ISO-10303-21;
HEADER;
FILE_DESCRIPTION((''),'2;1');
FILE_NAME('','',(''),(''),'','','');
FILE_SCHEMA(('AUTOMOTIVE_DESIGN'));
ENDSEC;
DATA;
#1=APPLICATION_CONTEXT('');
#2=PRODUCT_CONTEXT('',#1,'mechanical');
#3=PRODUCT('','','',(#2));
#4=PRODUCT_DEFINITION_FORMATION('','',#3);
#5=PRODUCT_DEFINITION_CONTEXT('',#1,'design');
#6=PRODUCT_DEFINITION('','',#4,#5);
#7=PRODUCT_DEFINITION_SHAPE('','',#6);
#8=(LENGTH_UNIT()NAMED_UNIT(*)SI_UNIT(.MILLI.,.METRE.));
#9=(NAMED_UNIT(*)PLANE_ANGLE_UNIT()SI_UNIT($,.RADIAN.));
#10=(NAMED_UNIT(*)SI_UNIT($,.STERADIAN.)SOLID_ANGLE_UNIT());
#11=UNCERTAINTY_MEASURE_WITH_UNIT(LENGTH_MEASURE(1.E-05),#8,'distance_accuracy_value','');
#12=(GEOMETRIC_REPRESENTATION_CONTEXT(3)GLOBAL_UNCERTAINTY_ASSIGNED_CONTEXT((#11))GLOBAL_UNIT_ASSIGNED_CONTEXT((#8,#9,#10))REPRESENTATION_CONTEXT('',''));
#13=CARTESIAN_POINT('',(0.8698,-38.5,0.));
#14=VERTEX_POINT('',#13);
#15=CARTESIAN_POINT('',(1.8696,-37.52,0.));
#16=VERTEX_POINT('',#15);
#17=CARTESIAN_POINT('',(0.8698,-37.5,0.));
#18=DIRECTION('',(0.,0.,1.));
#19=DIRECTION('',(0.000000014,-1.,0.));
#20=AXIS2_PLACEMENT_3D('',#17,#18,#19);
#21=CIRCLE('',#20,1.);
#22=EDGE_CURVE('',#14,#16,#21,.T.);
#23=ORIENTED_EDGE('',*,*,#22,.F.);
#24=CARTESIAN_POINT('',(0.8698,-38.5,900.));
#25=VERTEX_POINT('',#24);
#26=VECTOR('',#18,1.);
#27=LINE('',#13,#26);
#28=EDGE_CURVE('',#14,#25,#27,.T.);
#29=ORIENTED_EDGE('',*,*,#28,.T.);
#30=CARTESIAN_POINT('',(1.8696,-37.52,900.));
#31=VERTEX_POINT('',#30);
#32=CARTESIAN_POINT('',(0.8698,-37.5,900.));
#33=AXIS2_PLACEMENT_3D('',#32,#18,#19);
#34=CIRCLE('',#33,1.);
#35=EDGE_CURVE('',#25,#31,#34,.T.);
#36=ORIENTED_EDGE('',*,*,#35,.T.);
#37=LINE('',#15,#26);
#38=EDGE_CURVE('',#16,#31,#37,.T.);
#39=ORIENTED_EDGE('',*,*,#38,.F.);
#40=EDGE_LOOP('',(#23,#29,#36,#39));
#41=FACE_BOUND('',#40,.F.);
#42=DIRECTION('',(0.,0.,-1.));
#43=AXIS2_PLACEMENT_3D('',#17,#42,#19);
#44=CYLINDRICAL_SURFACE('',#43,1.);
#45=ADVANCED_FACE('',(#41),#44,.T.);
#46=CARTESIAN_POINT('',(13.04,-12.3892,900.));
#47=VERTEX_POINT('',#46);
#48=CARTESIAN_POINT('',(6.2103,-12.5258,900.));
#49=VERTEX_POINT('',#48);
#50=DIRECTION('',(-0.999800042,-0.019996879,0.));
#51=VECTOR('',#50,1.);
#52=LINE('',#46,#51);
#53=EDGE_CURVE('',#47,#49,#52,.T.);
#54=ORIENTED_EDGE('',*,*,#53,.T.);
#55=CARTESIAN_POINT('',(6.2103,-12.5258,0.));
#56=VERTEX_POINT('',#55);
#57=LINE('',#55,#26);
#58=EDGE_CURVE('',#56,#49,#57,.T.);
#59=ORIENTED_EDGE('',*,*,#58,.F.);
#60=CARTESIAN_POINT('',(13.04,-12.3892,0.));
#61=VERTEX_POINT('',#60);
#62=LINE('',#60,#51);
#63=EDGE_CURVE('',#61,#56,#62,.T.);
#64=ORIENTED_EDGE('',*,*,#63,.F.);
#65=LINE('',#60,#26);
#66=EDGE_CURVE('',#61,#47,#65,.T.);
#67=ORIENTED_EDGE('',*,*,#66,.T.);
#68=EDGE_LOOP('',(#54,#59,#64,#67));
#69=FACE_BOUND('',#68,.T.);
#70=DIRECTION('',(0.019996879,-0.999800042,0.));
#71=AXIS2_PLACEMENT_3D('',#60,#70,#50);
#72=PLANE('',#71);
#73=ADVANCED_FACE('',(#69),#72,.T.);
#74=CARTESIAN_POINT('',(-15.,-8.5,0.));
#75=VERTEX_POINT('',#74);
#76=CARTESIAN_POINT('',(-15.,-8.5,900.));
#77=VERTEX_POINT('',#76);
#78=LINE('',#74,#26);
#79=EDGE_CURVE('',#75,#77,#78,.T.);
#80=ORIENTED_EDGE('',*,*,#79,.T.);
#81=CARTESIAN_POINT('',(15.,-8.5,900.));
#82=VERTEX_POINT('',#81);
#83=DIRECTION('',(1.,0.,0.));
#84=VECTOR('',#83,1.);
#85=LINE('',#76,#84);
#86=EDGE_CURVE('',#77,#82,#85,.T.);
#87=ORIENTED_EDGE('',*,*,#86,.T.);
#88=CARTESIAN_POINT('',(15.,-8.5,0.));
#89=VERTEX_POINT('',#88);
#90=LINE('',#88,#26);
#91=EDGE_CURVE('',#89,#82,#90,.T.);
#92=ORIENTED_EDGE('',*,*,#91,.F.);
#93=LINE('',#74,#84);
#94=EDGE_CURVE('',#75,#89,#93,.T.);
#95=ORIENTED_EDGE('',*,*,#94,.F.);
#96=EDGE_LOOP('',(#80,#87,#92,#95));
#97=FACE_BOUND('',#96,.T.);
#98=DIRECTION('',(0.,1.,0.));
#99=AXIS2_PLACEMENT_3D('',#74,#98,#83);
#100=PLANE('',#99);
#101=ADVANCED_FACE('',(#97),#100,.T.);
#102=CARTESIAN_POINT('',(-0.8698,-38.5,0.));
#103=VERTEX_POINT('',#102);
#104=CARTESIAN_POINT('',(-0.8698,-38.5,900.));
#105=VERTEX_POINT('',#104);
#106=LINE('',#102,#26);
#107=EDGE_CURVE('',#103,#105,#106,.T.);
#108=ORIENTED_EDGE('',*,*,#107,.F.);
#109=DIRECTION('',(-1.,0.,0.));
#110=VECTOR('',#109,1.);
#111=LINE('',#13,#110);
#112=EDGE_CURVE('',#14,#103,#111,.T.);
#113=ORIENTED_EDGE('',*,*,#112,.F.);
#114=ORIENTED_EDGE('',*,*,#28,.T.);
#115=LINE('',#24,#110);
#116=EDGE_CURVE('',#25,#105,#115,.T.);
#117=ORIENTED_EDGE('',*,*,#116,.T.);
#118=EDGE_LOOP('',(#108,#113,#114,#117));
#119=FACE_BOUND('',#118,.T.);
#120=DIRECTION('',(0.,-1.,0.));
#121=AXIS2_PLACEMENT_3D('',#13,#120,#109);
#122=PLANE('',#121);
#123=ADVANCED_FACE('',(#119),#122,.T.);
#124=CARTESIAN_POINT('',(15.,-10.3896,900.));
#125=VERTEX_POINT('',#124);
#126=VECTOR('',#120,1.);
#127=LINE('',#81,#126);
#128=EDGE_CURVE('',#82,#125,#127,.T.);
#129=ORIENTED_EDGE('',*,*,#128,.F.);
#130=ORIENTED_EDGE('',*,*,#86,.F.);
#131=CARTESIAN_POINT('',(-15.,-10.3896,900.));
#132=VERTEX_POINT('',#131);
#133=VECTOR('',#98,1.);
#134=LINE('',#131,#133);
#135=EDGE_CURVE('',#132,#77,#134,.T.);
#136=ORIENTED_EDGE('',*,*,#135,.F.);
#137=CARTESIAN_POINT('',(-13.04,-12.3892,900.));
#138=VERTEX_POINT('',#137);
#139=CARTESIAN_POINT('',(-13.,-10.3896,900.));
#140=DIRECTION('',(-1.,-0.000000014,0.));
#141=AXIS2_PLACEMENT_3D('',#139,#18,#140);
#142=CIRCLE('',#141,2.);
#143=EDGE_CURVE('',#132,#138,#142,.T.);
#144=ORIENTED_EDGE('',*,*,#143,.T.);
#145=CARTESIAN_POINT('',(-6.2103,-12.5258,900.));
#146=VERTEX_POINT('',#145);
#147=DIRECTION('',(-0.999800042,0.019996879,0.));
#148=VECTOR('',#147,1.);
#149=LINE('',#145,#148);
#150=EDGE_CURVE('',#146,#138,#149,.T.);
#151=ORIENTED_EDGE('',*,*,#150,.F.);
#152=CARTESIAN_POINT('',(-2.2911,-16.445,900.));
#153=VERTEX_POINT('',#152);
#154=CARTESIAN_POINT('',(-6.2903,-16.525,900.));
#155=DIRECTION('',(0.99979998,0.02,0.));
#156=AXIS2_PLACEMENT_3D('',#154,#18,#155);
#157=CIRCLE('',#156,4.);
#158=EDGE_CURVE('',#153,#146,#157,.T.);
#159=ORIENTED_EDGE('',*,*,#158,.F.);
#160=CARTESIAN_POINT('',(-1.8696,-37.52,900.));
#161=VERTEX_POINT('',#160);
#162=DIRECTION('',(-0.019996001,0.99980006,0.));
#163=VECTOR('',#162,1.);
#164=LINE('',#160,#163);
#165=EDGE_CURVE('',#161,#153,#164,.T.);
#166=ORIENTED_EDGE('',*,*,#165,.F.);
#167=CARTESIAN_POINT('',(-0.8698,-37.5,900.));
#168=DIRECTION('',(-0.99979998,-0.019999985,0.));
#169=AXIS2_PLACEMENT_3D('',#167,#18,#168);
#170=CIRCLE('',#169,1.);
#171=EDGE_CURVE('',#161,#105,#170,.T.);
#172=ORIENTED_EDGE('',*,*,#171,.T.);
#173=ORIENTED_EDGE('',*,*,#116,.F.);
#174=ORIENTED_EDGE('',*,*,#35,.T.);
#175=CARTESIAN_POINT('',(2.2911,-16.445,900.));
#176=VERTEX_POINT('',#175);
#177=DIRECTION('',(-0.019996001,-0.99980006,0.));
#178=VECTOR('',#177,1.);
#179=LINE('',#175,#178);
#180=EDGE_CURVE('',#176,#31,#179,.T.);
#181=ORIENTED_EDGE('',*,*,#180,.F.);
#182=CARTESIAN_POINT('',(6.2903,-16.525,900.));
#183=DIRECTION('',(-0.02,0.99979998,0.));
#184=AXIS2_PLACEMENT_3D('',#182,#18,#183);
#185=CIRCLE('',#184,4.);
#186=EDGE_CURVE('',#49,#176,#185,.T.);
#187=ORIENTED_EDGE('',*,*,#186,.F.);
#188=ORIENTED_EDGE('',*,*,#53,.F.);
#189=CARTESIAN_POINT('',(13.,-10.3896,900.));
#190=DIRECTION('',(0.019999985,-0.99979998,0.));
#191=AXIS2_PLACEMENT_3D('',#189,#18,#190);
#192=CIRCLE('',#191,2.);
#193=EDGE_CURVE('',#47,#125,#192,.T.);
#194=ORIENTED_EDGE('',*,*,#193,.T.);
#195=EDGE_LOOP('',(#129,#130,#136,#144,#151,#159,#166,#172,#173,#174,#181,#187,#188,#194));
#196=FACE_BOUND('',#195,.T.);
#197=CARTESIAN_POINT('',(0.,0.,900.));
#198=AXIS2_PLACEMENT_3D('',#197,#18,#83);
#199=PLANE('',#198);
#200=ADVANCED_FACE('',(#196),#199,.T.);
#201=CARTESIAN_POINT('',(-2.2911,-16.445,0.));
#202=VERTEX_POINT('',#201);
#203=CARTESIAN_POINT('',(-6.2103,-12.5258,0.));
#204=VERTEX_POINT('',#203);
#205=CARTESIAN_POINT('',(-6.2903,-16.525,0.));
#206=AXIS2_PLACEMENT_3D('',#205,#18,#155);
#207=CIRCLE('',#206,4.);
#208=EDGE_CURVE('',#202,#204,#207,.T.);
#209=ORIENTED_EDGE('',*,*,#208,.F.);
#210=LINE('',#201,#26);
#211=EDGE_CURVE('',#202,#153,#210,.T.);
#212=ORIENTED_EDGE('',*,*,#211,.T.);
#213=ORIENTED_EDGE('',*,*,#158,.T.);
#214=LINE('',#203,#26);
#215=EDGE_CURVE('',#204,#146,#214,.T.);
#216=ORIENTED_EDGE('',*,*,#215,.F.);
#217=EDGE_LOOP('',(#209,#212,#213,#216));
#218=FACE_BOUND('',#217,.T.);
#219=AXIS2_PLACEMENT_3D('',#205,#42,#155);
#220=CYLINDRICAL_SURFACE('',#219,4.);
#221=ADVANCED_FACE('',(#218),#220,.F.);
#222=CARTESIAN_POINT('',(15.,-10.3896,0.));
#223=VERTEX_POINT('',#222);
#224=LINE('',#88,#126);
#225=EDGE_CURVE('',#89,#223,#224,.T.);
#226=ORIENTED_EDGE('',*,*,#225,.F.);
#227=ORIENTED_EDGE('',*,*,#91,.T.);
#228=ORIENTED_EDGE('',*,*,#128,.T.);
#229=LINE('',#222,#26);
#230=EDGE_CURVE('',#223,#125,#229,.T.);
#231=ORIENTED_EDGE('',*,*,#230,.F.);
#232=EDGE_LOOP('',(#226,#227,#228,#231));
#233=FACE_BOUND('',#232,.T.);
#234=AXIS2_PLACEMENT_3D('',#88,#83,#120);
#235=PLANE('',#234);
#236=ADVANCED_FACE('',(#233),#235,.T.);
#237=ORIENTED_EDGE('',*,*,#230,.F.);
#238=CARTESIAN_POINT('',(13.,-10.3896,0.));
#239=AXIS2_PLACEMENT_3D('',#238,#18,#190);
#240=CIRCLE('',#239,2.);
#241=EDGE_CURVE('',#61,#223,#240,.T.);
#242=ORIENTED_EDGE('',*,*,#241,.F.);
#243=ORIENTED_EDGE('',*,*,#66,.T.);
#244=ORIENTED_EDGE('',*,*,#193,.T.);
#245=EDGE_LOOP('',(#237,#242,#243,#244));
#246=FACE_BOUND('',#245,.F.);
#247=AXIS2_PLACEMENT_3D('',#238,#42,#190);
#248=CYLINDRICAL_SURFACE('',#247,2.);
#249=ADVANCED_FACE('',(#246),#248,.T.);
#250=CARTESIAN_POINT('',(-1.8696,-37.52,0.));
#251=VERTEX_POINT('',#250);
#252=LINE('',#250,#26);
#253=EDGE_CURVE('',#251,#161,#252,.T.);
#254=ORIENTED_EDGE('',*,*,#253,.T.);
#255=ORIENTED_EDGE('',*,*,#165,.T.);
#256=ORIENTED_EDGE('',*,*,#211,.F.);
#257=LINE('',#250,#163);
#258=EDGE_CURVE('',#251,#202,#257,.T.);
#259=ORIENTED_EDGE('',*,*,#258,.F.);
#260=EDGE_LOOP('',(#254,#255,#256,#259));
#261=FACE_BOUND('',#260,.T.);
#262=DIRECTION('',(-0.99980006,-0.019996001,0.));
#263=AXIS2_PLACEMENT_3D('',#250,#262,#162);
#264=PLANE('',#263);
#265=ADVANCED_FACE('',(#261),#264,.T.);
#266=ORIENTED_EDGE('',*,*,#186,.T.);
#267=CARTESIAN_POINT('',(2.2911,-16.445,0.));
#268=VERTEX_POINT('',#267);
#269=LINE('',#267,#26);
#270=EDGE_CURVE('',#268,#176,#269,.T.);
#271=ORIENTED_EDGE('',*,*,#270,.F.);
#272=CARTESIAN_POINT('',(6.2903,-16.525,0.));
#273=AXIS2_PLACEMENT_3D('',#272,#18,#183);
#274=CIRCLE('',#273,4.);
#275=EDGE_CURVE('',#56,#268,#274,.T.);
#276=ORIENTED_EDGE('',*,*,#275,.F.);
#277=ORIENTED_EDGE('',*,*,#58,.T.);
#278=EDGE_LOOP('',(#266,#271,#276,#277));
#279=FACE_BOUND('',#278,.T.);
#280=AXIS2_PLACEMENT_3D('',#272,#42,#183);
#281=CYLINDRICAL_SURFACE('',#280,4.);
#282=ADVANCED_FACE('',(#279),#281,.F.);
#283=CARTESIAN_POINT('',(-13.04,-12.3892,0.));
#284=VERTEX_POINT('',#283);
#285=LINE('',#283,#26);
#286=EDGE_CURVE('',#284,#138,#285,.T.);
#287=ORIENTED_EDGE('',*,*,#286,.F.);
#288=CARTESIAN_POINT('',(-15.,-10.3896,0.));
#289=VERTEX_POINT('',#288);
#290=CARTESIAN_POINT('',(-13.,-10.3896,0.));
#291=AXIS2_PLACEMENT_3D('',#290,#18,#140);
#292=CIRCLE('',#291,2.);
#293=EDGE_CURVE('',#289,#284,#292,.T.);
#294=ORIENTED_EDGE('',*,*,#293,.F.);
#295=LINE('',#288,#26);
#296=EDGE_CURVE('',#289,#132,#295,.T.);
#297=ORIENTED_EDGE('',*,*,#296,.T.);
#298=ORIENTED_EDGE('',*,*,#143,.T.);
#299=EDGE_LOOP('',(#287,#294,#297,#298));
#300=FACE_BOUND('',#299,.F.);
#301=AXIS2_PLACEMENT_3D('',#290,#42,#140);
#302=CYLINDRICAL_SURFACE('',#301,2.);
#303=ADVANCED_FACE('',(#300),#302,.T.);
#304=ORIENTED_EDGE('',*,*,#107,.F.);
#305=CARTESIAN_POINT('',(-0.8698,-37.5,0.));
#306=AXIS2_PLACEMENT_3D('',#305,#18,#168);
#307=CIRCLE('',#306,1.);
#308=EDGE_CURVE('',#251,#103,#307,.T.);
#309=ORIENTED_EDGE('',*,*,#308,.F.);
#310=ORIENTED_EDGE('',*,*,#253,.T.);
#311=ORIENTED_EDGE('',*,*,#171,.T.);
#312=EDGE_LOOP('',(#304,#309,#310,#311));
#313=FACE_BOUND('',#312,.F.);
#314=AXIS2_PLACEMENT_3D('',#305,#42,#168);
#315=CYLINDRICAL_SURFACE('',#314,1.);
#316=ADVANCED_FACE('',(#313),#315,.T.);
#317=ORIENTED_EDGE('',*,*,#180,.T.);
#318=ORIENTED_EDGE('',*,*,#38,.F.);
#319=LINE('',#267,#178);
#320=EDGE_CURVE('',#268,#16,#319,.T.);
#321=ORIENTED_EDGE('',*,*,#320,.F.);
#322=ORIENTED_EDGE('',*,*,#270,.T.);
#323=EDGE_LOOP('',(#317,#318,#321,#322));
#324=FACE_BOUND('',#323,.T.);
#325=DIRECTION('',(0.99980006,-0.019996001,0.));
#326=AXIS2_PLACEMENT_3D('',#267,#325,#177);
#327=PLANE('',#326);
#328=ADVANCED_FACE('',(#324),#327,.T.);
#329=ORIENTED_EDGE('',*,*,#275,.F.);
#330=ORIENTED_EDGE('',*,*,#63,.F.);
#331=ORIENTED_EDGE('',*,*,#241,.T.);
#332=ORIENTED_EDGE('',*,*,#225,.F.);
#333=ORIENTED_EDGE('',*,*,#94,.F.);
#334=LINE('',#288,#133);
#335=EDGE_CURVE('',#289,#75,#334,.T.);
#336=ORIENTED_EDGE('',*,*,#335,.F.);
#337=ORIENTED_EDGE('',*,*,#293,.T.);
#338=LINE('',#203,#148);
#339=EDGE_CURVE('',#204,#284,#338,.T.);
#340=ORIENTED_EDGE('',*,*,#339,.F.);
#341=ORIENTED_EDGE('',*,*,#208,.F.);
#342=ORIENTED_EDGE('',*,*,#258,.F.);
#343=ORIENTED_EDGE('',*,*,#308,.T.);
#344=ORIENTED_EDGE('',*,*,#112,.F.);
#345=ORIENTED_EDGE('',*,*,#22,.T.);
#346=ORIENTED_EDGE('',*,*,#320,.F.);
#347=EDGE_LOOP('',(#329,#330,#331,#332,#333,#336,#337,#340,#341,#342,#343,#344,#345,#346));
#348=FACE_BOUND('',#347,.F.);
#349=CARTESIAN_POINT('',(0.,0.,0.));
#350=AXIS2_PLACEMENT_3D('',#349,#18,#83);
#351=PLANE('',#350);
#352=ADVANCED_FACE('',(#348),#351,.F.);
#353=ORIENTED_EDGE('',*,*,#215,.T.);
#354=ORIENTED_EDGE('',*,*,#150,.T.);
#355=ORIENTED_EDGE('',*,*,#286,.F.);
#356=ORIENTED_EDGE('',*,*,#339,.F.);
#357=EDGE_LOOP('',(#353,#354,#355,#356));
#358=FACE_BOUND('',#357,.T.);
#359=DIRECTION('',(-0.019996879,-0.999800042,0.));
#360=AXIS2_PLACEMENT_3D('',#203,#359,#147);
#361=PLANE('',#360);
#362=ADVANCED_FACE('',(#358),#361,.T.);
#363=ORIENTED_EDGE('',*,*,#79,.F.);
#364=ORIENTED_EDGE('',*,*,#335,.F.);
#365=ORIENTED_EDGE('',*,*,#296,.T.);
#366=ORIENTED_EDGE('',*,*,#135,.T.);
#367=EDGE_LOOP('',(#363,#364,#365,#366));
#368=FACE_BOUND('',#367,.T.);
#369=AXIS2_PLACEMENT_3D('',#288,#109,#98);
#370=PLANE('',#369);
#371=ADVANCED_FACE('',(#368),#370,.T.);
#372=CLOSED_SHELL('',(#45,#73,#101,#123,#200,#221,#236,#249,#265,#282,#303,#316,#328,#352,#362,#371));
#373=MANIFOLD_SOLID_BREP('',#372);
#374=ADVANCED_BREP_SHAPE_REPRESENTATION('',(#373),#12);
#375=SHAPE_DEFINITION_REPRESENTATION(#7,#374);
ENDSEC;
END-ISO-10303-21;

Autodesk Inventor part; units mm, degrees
ref_plane "YZ Plane" through (0, 0, 0) normal (1, 0, 0) x (0, 1, 0)
ref_plane "Start plane" through (0, 0, 0) normal (0, 0, 1) x (1, 0, 0)
ref_plane "End plane" through (0, 0, 900) normal (0, 0, 1) x (1, 0, 0)
sketch "Sketch" plane through (0, 0, 0) normal (0, 0, 1) x (1, 0, 0)
  line L0 (0.8698, -38.5) -> (-0.8698, -38.5)
  line L1 (2.2911, -16.445) -> (1.8696, -37.52)
  line L2 (13.04, -12.3892) -> (6.2103, -12.5258)
  line L3 (15, -8.5) -> (15, -10.3896)
  line L4 (-15, -10.3896) -> (-15, -8.5)
  line L5 (-6.2103, -12.5258) -> (-13.04, -12.3892)
  line L6 (-1.8696, -37.52) -> (-2.2911, -16.445)
  line L7 (-2.3679, -12.6026) -> (2.3679, -12.6026) construction
  line L8 (0, -46.445) -> (0, 7.7408) construction
  arc A0 (-2.2911, -16.445) -> (-6.2103, -12.5258) centre (-6.2903, -16.525) ccw
  arc A1 (6.2103, -12.5258) -> (2.2911, -16.445) centre (6.2903, -16.525) ccw
  arc A2 (-15, -10.3896) -> (-13.04, -12.3892) centre (-13, -10.3896) ccw
  arc A3 (13.04, -12.3892) -> (15, -10.3896) centre (13, -10.3896) ccw
  arc A4 (-1.8696, -37.52) -> (-0.8698, -38.5) centre (-0.8698, -37.5) ccw
  arc A5 (0.8698, -38.5) -> (1.8696, -37.52) centre (0.8698, -37.5) ccw
  line L9 (-21.5716, 0) -> (21.5716, 0) construction
  line L10 (-15, -8.5) -> (15, -8.5)
  point P0 (1.85, -38.5)
  point P1 (-1.85, -38.5)
  point P2 (15, -12.35)
  point P3 (-15, -12.35)
  point P4 (0, 0)
  point P5 (0, -12.6026)
  dimension "d9" = 3.85
  dimension "d11" = 3.85
  dimension "d23" = 3.7
  dimension "d26" = 1.146
  dimension "d27" = 1.146
  dimension "d28" = 4
  dimension "d29" = 2
  dimension "d30" = 1
  dimension "d31" = 30
  dimension "d32" = 1.146
  dimension "d33" = 30
  dimension "d34" = 8.5
extrude "Body" add sketch "Sketch" along normal up to surface (900 mm away) from surface at 0
sketch "Sketch3" plane through (0, 0, 0) normal (0, 0, 1) x (1, 0, 0)
  line L0 (0, 0) -> (10, 0)
ref_plane "Work Plane6" through (0, 0, 0) normal (0, -1, 0) x (1, 0, 0)
sketch "Sketch4" plane through (0, 0, 0) normal (0, -1, 0) x (1, 0, 0)
  line L0 (-2, 0) -> (12, 0)
  line L1 (-2, 900) -> (12, 900)
  dimension "d38" = 900
equation "\"d9\" = -msp_pom3 + ParT"
equation "\"d11\" = -msp_pom3 + ParT"
equation "\"d23\" = ParT - msp_pom2"
equation "\"d26\" = d27"
equation "\"d27\" = d32"
equation "\"d28\" = R"
equation "\"d29\" = R1"
equation "\"d30\" = R2"
equation "\"d31\" = ParH"
equation "\"d32\" = msp_ang"
equation "\"d33\" = b"
equation "\"d34\" = ex"
equation "\"d13\" = G_L"
equation "\"b\" = 30"
equation "\"ParH\" = 30"
equation "\"R\" = 4"
equation "\"ParT\" = 4"
equation "\"R1\" = 2"
equation "\"R2\" = 1"
equation "\"G_L\" = d38"
equation "\"msp_x1\" = 0"
equation "\"msp_x2\" = 0"
equation "\"msp_x\" = 0"
equation "\"msp_ang\" = 1.14576deg"
equation "\"ex\" = 8.5"
equation "\"G_OFFSET_START\" = 0"
equation "\"G_OFFSET_END\" = 0"
equation "\"msp_pom3\" = 0.15"
equation "\"msp_pom2\" = 0.3"
properties part number "DIN 1024 - T30-900" material "Steel, Mild"
